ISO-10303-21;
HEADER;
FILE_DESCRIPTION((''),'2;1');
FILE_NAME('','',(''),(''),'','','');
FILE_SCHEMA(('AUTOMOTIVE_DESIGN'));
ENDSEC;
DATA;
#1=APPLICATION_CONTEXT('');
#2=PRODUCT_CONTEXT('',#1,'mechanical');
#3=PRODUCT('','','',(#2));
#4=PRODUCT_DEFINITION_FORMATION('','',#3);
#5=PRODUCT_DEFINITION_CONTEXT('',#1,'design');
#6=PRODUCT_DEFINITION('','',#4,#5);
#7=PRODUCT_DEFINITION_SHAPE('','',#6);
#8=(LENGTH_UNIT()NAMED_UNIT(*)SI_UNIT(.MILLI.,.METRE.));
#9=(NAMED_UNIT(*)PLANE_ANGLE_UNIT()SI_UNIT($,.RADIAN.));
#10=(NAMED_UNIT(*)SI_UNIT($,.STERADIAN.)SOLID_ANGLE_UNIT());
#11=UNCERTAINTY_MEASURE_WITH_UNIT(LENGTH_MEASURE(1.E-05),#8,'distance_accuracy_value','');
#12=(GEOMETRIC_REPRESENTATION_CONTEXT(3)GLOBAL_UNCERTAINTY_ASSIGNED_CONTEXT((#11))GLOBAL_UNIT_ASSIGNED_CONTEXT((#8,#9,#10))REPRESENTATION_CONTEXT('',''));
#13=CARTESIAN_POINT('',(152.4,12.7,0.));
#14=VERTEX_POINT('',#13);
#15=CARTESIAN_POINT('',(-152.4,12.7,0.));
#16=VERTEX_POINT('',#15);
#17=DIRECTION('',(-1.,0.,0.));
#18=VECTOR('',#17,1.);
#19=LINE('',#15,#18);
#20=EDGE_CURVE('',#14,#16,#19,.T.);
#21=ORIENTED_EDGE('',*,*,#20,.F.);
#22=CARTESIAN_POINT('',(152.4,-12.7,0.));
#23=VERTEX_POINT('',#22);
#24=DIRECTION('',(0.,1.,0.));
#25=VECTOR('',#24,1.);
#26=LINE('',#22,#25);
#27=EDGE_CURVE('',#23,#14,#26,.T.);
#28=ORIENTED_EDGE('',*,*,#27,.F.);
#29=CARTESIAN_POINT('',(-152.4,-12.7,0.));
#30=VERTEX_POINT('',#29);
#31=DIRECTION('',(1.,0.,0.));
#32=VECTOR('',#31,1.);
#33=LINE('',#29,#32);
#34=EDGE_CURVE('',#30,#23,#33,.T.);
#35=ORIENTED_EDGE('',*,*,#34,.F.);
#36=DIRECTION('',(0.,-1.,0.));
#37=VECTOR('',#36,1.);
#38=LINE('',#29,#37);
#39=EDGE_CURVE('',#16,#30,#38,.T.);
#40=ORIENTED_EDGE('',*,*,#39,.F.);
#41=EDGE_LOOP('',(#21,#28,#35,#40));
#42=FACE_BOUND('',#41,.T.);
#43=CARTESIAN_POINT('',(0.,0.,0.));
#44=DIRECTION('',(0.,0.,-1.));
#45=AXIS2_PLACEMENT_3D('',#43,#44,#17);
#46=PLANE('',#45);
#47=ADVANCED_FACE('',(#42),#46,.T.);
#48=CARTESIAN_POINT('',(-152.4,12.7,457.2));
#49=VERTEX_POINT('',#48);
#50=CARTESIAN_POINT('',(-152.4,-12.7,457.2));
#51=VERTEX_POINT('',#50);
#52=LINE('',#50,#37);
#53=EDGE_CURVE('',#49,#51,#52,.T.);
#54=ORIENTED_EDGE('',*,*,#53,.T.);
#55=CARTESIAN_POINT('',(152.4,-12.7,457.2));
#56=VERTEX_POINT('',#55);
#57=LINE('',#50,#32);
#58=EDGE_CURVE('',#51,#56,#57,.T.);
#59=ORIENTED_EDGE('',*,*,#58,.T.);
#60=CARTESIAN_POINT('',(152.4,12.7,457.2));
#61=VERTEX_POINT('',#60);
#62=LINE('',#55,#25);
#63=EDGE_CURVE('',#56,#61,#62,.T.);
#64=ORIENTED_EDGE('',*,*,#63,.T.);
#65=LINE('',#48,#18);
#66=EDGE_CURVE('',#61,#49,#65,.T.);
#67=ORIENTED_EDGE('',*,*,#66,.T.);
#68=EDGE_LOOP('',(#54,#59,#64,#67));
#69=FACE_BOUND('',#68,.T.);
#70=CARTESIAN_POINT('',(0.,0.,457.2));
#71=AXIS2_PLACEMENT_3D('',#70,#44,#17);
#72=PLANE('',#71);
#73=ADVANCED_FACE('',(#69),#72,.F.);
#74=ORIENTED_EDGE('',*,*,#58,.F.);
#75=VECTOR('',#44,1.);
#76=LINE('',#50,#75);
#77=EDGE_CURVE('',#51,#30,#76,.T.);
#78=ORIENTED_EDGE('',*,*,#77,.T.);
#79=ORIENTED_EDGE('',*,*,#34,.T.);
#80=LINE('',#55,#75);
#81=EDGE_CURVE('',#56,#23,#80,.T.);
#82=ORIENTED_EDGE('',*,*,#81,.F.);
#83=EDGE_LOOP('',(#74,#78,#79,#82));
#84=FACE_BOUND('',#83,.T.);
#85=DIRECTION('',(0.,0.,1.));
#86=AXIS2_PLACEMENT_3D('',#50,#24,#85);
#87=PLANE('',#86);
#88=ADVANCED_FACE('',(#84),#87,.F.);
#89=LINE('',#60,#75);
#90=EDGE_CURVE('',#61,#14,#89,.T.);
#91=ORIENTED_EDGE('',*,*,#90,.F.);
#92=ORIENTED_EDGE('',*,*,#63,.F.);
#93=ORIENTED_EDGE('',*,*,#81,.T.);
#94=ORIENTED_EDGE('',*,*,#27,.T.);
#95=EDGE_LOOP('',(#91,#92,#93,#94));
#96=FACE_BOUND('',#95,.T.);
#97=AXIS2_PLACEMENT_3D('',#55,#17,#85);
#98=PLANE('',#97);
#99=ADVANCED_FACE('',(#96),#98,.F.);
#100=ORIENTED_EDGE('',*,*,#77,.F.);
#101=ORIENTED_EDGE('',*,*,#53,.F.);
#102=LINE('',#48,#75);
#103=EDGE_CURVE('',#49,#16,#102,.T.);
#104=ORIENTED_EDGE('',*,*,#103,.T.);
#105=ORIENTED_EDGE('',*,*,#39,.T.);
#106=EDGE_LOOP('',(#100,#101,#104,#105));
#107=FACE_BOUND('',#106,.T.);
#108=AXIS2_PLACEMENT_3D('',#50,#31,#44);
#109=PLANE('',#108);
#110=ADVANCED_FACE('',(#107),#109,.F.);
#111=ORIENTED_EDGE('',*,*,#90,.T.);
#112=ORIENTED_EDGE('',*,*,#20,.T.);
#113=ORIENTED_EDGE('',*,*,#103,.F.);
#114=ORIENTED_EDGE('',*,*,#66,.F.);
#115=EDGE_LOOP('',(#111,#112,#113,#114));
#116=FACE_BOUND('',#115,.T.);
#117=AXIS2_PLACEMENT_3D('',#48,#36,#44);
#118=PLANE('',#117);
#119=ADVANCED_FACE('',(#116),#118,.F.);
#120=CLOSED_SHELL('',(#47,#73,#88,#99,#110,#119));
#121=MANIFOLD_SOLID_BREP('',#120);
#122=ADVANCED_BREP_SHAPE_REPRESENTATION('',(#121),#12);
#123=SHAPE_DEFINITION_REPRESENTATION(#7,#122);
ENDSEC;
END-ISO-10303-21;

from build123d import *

# Parameters (mm, degrees)
SKETCH1_W           = 304.8
SKETCH1_H           = 25.4
BOSS_EXTRUDE1_DEPTH = 457.2


with BuildPart() as part:
    # Sketch1 → Boss-Extrude1 (new body)
    with BuildSketch(Plane.XY):
        Rectangle(SKETCH1_W, SKETCH1_H)
    extrude(amount=BOSS_EXTRUDE1_DEPTH)


solid = part.part
